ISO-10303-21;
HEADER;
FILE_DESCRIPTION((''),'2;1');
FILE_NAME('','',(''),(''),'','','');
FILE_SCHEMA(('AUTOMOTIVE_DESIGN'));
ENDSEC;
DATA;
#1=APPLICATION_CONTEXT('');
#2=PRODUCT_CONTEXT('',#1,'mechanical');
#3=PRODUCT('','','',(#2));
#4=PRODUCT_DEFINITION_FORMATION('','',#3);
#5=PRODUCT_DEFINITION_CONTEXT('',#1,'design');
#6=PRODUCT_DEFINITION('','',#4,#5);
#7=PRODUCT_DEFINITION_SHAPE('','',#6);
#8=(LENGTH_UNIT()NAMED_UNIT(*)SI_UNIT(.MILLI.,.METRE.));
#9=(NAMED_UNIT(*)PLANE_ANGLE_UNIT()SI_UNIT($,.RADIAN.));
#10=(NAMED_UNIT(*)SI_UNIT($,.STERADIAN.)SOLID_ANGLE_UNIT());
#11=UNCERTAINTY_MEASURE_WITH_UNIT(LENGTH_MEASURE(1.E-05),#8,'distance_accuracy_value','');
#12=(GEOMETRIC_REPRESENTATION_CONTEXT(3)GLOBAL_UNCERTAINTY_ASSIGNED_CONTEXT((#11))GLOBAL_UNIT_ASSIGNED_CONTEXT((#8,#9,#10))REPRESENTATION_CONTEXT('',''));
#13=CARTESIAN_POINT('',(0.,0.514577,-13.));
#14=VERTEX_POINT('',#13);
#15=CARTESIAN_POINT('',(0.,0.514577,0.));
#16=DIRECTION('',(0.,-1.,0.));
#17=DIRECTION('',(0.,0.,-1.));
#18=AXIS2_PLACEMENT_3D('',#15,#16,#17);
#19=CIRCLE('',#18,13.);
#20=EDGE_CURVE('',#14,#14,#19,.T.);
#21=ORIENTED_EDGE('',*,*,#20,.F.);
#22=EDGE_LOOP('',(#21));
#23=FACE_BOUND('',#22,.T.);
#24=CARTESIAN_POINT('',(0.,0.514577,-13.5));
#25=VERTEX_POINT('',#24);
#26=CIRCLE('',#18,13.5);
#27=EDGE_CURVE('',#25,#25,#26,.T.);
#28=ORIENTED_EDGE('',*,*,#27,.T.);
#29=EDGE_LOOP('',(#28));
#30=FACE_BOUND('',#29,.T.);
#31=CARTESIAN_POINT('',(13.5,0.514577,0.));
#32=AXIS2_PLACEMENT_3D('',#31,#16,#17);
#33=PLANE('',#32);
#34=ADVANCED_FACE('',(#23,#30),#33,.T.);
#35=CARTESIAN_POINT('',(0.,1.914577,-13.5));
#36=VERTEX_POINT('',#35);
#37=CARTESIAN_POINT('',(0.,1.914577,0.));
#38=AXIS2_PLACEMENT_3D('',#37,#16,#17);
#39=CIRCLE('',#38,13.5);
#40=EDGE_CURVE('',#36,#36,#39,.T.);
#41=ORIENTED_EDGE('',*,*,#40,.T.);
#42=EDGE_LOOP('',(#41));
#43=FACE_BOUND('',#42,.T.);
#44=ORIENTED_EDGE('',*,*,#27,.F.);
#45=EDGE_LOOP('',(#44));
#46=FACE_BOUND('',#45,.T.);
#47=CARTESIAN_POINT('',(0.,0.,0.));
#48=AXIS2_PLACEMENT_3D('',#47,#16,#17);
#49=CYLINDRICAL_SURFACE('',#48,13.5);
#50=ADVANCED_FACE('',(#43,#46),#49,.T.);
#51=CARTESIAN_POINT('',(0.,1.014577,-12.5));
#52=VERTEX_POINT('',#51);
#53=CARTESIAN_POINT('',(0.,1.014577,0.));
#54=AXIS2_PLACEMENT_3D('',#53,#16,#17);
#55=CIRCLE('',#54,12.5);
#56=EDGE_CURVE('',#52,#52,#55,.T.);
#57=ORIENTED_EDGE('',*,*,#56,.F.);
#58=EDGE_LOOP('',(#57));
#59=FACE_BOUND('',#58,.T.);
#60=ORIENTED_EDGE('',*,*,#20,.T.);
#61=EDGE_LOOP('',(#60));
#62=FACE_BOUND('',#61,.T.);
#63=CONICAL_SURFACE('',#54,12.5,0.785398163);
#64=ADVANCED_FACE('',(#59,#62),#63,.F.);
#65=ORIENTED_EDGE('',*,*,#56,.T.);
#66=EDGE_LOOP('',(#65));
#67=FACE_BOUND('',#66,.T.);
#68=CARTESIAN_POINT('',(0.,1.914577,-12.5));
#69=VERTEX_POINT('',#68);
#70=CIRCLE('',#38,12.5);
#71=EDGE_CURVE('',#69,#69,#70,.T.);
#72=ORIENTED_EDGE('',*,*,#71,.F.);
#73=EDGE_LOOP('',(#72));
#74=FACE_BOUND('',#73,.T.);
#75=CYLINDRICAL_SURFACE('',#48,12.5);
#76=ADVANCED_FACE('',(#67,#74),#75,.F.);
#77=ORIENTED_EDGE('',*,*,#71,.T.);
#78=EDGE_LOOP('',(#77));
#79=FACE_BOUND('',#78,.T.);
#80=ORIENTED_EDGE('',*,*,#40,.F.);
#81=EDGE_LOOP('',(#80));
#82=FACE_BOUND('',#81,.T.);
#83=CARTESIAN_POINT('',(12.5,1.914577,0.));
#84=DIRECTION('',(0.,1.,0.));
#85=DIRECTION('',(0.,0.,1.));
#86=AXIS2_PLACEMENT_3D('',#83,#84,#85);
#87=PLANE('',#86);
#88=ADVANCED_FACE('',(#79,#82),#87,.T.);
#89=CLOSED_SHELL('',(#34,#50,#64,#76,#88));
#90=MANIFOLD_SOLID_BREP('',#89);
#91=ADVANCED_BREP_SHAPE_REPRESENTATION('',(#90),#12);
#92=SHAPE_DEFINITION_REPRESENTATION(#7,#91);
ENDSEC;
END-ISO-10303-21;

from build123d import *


with BuildPart() as part:
    # Sketch1 → Revolve1 (revolve)
    with BuildSketch(Plane.XY, mode=Mode.PRIVATE) as revolve1_sk:
        Polygon((13, 0.514576605), (12.5, 1.014576605), (12.5, 1.914576605), (13.5, 1.914576605), (13.5, 0.514576605), align=None)
    revolve(revolve1_sk.sketch.rotate(Axis((0, 0, 0), (0, 1, 0)), 90), axis=Axis((0, 0, 0), (0, 1, 0)))


solid = part.part
